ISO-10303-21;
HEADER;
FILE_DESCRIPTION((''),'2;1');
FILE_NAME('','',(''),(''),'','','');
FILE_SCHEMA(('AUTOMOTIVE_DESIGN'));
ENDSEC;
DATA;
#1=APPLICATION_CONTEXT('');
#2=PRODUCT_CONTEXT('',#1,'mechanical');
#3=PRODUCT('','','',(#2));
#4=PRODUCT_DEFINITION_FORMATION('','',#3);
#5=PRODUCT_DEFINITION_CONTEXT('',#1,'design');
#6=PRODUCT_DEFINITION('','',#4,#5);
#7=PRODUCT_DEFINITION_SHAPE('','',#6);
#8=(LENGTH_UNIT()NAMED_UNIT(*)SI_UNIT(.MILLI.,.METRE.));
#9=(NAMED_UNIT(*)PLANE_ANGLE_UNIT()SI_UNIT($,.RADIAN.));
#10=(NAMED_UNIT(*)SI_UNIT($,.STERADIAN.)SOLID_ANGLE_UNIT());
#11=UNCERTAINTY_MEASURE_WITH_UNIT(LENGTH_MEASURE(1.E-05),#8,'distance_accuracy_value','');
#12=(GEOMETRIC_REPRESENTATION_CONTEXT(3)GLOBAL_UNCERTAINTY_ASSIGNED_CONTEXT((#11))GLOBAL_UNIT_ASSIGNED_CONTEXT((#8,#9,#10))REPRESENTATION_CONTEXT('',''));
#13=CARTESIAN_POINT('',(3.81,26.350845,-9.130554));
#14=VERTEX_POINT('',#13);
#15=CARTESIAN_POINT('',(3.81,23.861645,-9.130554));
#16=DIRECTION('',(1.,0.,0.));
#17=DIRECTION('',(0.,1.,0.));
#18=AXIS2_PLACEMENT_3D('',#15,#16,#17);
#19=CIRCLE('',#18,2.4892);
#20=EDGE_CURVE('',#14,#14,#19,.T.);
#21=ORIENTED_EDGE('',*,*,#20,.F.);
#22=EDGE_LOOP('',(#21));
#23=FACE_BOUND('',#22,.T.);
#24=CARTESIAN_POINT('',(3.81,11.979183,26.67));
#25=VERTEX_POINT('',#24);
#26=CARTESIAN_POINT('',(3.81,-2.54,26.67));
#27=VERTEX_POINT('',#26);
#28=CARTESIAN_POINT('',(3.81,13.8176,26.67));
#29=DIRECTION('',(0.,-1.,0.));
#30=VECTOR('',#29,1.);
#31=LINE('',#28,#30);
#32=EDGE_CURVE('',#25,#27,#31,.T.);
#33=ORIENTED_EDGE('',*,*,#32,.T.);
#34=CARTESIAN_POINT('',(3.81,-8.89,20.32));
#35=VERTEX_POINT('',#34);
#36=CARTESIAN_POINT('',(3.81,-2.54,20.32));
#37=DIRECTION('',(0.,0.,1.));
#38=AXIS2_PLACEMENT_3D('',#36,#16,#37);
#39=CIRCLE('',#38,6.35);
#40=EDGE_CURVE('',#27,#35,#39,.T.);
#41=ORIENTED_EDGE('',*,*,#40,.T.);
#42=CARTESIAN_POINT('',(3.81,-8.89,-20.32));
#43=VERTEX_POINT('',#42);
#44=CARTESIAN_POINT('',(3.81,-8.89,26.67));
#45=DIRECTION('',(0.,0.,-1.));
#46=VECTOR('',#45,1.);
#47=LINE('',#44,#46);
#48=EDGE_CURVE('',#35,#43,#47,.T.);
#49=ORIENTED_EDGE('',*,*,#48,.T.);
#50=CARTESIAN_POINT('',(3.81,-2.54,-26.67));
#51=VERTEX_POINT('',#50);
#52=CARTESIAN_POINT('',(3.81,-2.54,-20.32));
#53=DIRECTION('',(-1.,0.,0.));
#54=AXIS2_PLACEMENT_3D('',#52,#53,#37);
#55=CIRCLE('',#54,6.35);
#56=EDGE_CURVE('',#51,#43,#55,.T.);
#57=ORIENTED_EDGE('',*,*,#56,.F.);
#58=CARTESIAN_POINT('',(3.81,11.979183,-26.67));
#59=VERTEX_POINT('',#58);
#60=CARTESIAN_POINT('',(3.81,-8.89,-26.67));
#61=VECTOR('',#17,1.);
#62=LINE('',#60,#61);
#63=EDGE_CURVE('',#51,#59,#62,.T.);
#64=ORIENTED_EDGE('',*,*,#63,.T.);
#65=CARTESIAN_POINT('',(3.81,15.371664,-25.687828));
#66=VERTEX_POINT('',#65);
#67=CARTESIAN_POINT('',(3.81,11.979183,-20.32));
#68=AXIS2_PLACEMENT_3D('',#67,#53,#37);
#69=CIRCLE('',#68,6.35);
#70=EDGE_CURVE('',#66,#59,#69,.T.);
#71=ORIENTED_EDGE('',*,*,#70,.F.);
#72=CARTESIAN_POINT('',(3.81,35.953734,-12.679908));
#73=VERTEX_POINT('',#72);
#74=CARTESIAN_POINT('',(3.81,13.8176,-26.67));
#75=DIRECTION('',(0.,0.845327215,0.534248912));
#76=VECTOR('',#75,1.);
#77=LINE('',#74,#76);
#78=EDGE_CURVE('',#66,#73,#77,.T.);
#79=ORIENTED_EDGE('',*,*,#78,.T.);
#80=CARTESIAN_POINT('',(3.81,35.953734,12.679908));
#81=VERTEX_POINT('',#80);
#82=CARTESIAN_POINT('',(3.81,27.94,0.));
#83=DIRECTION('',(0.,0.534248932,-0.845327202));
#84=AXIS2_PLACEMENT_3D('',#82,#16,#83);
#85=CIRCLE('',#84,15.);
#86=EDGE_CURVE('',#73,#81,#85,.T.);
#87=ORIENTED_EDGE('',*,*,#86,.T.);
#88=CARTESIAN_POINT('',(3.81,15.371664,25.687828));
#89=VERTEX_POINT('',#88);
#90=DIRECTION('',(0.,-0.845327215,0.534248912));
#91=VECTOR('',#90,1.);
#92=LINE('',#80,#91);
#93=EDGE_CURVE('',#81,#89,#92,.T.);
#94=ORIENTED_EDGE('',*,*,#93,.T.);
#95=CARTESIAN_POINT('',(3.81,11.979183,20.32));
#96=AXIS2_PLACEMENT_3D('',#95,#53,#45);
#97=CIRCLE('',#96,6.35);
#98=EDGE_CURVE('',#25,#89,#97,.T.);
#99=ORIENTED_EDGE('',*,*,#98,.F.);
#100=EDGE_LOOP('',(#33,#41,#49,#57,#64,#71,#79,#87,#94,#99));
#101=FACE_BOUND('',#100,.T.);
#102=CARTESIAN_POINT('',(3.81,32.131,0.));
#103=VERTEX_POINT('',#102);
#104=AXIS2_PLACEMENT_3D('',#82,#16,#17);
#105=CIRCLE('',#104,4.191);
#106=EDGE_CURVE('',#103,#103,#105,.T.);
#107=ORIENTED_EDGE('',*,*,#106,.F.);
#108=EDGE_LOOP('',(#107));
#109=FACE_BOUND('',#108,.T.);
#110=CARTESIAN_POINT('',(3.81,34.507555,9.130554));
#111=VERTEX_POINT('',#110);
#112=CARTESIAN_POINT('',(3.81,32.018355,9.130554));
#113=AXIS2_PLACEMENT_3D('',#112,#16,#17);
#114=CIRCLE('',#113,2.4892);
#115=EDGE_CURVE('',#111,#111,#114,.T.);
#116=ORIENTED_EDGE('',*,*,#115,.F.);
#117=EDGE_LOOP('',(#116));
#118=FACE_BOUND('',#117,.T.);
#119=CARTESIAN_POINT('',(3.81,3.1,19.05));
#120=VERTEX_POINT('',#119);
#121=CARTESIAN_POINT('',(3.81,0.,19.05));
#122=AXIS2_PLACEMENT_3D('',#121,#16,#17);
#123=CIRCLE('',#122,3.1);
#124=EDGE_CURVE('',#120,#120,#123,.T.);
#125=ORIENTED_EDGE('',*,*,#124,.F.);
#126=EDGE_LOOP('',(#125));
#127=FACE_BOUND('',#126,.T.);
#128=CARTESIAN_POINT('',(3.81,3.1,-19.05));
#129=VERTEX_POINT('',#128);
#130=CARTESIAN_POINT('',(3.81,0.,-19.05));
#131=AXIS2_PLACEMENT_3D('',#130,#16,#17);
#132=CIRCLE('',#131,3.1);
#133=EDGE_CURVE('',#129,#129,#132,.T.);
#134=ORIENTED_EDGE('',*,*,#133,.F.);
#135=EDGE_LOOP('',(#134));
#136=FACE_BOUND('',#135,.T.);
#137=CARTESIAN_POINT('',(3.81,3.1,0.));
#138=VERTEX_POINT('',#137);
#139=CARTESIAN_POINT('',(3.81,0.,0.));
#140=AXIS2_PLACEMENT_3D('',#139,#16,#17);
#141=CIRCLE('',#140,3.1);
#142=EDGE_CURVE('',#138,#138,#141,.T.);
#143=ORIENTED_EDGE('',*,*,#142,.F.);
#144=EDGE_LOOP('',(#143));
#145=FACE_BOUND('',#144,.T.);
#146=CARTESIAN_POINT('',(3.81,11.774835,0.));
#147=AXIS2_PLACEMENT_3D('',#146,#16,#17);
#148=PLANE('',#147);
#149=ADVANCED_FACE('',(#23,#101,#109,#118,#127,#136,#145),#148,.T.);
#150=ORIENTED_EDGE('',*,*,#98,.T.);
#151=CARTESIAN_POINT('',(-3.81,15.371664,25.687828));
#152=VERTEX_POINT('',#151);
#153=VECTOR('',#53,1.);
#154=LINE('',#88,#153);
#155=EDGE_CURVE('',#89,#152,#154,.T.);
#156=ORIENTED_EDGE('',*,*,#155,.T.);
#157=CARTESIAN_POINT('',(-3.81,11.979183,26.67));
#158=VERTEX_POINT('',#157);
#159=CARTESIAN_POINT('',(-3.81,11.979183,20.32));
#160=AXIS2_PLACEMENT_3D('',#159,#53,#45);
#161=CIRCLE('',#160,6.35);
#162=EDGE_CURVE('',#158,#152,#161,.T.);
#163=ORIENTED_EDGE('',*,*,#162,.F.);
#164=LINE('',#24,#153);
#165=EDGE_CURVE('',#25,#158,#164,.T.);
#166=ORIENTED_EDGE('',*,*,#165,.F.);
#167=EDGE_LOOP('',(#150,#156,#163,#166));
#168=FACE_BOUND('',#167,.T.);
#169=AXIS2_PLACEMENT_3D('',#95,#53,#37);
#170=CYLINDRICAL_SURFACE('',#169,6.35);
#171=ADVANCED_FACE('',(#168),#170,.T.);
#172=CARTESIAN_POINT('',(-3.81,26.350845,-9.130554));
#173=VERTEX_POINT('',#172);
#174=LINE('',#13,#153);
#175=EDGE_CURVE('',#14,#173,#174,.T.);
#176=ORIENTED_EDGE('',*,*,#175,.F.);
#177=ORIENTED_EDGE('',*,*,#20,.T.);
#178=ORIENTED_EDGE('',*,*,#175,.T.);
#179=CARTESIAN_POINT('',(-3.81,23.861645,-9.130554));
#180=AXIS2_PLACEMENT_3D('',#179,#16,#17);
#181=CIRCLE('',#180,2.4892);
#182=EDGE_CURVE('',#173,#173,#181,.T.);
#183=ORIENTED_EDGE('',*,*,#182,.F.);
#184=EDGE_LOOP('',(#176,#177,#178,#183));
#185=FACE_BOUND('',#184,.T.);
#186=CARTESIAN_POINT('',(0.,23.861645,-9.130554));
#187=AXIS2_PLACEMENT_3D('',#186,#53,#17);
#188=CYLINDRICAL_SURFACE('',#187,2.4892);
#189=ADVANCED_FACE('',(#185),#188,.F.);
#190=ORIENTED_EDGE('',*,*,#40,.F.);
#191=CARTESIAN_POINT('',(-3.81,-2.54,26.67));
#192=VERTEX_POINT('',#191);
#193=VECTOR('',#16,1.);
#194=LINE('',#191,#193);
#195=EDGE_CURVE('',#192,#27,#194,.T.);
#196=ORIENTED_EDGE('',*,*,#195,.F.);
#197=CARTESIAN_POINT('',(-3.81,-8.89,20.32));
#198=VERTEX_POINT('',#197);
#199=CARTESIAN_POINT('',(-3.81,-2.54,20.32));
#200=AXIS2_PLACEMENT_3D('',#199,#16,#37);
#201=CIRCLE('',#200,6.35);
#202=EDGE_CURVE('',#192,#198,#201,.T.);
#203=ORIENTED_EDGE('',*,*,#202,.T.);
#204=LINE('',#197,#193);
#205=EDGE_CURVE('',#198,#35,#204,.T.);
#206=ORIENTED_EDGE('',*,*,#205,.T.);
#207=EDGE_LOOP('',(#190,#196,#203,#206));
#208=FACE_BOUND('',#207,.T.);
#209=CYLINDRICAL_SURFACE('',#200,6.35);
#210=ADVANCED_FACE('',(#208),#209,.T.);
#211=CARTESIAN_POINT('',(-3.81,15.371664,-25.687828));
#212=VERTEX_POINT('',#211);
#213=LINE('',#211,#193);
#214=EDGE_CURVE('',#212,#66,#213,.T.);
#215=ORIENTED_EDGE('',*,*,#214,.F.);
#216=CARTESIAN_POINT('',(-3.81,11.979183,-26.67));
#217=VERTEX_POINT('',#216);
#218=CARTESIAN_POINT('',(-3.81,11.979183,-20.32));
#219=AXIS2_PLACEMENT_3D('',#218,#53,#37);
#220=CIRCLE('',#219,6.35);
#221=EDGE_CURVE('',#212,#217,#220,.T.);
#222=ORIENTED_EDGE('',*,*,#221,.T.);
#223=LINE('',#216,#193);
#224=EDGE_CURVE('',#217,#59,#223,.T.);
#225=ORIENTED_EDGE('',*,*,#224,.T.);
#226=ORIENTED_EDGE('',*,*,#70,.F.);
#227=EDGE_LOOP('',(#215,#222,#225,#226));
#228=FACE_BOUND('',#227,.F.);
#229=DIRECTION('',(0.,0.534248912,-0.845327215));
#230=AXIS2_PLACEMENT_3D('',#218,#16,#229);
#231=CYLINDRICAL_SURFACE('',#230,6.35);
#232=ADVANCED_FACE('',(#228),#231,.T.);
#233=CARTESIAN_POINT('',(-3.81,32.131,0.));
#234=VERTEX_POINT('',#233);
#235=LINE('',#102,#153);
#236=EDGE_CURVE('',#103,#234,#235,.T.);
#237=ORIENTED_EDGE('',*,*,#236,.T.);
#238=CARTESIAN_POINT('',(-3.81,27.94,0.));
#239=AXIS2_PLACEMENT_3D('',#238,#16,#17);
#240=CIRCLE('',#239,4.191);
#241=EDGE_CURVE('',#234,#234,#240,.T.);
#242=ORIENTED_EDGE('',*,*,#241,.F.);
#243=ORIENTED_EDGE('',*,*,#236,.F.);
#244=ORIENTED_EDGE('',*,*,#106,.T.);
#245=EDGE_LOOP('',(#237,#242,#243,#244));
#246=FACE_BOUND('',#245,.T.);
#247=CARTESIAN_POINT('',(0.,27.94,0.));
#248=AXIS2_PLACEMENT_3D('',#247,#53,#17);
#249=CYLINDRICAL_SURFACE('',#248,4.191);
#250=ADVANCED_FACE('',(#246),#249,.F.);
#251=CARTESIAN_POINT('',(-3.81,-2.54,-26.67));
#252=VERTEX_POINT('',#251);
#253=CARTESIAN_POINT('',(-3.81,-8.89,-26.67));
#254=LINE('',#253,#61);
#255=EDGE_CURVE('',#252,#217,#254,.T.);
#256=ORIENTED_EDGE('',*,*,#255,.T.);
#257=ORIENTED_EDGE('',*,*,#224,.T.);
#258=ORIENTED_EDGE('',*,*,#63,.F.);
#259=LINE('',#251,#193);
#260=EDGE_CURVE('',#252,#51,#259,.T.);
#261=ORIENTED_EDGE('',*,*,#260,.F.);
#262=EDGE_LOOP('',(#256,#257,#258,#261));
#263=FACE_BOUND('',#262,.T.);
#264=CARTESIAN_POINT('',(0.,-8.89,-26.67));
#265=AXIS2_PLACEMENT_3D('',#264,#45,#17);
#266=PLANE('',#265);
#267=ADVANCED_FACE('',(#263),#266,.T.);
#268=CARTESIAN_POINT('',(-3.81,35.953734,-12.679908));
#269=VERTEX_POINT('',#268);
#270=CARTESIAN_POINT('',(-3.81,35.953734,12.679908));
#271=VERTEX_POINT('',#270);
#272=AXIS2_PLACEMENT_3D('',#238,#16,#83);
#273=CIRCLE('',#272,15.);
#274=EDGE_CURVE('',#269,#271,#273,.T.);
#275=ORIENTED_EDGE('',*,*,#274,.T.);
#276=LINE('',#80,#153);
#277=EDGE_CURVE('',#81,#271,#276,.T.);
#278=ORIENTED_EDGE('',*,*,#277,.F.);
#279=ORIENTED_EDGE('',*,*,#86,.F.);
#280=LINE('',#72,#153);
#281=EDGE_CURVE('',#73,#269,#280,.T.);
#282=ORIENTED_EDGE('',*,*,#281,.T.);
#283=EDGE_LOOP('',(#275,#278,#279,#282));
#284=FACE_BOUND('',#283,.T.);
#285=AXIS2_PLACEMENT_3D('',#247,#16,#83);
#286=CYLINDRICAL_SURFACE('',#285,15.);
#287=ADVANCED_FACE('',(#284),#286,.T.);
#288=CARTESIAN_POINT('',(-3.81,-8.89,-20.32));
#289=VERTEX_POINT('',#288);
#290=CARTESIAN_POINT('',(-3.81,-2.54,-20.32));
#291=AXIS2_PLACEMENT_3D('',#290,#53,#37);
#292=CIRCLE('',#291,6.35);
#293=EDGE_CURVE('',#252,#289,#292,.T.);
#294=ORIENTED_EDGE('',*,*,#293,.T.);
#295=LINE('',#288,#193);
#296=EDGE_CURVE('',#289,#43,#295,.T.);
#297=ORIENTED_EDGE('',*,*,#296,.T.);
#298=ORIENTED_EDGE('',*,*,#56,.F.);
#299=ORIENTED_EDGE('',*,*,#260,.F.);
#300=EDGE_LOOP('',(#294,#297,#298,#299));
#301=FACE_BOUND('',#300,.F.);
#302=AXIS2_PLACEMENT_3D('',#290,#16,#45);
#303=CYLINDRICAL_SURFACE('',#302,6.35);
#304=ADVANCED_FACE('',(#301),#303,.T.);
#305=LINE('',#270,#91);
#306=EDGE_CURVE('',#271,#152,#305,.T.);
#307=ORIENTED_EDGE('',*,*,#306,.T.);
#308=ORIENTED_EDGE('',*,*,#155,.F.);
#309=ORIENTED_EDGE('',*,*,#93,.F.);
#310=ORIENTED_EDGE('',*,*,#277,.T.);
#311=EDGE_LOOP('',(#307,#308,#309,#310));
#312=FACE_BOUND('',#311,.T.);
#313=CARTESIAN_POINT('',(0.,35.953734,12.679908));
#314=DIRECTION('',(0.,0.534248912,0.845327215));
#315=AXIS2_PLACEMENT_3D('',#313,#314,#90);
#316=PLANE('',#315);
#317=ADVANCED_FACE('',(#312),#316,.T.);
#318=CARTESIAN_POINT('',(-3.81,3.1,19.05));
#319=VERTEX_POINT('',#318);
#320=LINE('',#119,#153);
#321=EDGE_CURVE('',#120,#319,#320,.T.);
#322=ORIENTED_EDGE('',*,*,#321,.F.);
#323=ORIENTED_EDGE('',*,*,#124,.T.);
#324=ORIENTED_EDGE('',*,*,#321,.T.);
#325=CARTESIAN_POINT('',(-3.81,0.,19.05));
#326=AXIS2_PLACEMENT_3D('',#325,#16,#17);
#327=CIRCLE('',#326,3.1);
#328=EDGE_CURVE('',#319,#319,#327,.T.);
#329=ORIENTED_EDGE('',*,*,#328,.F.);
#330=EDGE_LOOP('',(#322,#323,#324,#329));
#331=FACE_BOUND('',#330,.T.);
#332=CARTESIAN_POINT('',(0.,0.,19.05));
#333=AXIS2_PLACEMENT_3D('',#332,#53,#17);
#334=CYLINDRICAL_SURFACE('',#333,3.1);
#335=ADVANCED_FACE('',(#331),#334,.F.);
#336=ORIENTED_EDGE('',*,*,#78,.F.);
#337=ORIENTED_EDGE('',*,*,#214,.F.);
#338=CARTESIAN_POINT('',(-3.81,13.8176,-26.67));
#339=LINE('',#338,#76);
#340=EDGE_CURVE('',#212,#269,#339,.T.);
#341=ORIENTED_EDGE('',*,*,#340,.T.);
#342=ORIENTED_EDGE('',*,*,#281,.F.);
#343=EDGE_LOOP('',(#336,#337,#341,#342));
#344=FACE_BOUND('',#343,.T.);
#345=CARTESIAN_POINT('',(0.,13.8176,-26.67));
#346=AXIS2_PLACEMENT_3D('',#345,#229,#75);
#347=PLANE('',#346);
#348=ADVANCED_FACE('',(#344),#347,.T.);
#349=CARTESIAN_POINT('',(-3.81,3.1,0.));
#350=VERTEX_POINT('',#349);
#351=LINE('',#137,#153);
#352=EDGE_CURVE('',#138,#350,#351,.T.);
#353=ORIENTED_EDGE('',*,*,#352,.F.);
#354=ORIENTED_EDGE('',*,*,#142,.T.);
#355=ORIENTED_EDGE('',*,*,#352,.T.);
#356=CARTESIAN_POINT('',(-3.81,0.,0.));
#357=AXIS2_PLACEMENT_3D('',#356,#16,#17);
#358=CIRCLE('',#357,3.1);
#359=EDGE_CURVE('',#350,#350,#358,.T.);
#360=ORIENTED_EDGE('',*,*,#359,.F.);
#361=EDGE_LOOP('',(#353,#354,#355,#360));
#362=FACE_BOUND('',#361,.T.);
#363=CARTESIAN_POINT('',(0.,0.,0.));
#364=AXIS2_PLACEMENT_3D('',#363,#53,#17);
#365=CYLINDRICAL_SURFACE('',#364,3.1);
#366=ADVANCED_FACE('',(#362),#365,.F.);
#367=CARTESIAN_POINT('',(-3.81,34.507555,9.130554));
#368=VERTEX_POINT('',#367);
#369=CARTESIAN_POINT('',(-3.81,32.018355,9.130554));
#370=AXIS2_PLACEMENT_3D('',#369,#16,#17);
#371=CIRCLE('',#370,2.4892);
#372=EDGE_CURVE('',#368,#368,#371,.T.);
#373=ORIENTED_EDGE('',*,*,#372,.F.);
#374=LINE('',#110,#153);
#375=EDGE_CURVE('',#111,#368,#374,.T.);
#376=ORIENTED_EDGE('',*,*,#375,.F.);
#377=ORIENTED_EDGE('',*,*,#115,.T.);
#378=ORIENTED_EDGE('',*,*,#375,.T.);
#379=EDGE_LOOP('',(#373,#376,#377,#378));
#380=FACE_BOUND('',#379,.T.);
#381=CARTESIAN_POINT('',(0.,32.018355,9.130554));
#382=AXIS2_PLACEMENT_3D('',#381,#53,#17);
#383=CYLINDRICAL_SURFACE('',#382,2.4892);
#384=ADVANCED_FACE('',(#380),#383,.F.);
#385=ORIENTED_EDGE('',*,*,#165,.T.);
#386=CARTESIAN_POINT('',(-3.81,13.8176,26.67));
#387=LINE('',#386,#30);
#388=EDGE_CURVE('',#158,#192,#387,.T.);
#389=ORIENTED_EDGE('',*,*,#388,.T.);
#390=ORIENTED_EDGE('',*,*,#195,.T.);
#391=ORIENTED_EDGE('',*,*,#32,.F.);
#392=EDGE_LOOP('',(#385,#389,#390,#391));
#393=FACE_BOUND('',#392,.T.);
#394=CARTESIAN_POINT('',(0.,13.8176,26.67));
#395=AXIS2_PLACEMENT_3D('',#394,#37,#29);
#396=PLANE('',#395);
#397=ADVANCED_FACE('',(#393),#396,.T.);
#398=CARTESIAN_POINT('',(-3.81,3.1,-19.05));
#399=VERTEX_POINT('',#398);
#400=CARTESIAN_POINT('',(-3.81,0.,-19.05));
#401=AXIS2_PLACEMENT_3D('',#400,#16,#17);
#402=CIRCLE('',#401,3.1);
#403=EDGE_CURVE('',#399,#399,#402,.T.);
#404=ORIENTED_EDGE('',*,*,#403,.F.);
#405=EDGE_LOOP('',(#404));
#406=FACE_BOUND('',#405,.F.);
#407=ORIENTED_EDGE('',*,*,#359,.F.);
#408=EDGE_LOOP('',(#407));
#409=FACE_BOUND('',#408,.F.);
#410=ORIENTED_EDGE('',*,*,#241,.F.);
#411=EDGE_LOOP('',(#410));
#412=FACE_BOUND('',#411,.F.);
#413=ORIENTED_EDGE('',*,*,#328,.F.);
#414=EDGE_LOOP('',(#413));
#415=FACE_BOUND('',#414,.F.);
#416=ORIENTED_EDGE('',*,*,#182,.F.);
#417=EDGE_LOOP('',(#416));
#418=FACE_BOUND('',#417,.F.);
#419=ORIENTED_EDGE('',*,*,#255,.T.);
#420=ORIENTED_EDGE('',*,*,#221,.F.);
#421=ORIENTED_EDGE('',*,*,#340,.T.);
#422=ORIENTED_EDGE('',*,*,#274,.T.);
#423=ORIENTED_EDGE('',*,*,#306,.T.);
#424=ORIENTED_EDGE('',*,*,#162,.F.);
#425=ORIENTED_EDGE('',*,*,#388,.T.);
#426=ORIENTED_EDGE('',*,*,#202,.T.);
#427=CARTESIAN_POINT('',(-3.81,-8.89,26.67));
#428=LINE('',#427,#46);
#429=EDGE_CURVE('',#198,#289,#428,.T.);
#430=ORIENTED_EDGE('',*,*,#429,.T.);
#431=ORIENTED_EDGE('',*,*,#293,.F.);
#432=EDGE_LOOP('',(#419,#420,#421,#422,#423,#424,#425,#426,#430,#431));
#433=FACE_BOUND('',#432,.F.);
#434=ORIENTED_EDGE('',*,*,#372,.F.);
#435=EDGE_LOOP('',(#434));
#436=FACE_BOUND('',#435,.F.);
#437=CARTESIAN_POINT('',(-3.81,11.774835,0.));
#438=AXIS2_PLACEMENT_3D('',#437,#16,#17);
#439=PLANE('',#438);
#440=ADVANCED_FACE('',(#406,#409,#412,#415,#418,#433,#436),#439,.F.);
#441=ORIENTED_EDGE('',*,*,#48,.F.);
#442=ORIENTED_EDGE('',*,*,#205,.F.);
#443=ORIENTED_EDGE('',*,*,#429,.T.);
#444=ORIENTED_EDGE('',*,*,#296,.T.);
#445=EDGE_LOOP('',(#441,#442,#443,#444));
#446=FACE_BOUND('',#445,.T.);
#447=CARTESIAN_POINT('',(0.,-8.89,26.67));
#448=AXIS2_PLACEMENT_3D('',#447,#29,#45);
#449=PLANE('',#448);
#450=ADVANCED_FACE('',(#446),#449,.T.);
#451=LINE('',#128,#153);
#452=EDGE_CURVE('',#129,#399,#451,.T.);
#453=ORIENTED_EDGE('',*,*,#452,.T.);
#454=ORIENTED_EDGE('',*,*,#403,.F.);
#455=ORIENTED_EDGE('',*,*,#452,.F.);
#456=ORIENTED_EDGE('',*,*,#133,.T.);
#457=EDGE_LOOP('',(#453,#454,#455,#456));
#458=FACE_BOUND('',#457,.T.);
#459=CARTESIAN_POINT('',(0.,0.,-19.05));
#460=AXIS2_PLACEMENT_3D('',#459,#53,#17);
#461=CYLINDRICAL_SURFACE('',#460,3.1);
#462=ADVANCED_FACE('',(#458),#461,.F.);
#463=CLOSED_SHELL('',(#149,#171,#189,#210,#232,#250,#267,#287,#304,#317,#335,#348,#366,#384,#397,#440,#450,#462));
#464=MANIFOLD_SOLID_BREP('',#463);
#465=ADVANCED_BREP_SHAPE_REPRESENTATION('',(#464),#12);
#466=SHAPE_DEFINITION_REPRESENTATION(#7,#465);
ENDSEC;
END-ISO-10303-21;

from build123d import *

# Parameters (mm, degrees)
F0_R     = 3.1
F0_R_2   = 2.4892
F0_R_3   = 4.191
F1_DEPTH = 3.81
F2_R     = 6.35


with BuildPart() as f1:
    # F0 (on Right) → F1 (new body, symmetric)
    with BuildSketch(Plane.YZ):
        with BuildLine():
            Line((13.8176, 26.67), (-8.89, 26.67))
            Line((-8.89, 26.67), (-8.89, -26.67))
            Line((-8.89, -26.67), (13.8176, -26.67))
            Line((13.8176, -26.67), (35.953734, -12.679908))
            ThreePointArc((35.953734, -12.679908), (42.94, 0), (35.953734, 12.679908))
            Line((35.953734, 12.679908), (13.8176, 26.67))
        make_face()
        with Locations((0, -19.05)):
            Circle(F0_R, mode=Mode.SUBTRACT)
        Circle(F0_R, mode=Mode.SUBTRACT)
        with Locations((23.861645, -9.130554)):
            Circle(F0_R_2, mode=Mode.SUBTRACT)
        with Locations((27.94, 0)):
            Circle(F0_R_3, mode=Mode.SUBTRACT)
        with Locations((0, 19.05)):
            Circle(F0_R, mode=Mode.SUBTRACT)
        with Locations((32.018355, 9.130554)):
            Circle(F0_R_2, mode=Mode.SUBTRACT)
    extrude(amount=F1_DEPTH, both=True)

    # F2
    f2_edges = [f1.edges().sort_by_distance(p)[0] for p in [
        (0, -8.89, 26.67),
        (0, 13.8176, 26.67),
        (0, -8.89, -26.67),
        (0, 13.8176, -26.67),
    ]]
    fillet(f2_edges, radius=F2_R)


solid = f1.part
